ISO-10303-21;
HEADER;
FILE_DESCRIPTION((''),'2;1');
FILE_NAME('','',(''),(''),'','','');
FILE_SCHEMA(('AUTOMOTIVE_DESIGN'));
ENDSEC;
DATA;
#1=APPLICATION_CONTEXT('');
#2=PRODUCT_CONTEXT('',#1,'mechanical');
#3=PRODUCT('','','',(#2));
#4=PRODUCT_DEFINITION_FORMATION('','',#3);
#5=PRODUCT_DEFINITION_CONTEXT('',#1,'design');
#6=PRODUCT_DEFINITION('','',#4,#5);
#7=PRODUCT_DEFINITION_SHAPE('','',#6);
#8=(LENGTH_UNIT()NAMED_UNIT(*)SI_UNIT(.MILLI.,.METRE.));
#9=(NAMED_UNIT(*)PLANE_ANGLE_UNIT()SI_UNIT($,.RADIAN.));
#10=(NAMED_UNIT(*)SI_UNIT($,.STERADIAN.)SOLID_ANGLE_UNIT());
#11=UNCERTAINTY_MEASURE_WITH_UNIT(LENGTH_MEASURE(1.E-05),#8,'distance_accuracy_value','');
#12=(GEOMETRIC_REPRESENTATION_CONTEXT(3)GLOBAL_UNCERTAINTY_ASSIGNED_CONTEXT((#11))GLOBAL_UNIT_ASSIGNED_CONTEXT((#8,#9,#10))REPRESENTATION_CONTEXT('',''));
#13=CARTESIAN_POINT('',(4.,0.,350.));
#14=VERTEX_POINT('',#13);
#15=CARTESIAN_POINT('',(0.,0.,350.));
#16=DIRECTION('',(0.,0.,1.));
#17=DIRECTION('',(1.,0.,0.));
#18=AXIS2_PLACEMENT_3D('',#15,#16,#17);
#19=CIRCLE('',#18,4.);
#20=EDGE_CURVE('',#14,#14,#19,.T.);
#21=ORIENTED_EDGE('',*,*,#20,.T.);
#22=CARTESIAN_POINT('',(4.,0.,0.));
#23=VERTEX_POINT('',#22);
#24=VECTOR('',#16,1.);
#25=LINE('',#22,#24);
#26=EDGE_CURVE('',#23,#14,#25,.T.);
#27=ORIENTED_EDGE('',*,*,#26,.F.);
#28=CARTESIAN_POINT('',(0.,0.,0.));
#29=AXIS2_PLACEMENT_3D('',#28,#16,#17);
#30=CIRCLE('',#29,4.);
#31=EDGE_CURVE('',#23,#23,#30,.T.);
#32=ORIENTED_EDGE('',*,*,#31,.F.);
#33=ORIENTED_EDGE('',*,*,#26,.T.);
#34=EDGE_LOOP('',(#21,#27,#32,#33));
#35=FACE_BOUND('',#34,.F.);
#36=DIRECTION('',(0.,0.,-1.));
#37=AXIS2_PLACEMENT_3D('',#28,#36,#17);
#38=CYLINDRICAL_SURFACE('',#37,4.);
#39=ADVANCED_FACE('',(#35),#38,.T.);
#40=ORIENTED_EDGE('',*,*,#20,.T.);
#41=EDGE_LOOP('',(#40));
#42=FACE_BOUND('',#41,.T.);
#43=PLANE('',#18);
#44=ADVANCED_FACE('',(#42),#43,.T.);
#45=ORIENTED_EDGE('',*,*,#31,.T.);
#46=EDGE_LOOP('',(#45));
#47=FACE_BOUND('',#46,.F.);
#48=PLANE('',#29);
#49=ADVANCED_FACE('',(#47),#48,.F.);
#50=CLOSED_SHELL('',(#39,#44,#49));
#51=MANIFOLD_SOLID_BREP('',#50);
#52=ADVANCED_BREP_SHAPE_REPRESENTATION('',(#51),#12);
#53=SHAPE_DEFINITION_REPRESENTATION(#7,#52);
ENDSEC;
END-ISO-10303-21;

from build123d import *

# Parameters (mm, degrees)
SKETCH_R  = 4
PAD_DEPTH = 350


with BuildPart() as part:
    # Sketch → Pad (new body)
    with BuildSketch(Plane.XY):
        Circle(SKETCH_R)
    extrude(amount=PAD_DEPTH)


solid = part.part
